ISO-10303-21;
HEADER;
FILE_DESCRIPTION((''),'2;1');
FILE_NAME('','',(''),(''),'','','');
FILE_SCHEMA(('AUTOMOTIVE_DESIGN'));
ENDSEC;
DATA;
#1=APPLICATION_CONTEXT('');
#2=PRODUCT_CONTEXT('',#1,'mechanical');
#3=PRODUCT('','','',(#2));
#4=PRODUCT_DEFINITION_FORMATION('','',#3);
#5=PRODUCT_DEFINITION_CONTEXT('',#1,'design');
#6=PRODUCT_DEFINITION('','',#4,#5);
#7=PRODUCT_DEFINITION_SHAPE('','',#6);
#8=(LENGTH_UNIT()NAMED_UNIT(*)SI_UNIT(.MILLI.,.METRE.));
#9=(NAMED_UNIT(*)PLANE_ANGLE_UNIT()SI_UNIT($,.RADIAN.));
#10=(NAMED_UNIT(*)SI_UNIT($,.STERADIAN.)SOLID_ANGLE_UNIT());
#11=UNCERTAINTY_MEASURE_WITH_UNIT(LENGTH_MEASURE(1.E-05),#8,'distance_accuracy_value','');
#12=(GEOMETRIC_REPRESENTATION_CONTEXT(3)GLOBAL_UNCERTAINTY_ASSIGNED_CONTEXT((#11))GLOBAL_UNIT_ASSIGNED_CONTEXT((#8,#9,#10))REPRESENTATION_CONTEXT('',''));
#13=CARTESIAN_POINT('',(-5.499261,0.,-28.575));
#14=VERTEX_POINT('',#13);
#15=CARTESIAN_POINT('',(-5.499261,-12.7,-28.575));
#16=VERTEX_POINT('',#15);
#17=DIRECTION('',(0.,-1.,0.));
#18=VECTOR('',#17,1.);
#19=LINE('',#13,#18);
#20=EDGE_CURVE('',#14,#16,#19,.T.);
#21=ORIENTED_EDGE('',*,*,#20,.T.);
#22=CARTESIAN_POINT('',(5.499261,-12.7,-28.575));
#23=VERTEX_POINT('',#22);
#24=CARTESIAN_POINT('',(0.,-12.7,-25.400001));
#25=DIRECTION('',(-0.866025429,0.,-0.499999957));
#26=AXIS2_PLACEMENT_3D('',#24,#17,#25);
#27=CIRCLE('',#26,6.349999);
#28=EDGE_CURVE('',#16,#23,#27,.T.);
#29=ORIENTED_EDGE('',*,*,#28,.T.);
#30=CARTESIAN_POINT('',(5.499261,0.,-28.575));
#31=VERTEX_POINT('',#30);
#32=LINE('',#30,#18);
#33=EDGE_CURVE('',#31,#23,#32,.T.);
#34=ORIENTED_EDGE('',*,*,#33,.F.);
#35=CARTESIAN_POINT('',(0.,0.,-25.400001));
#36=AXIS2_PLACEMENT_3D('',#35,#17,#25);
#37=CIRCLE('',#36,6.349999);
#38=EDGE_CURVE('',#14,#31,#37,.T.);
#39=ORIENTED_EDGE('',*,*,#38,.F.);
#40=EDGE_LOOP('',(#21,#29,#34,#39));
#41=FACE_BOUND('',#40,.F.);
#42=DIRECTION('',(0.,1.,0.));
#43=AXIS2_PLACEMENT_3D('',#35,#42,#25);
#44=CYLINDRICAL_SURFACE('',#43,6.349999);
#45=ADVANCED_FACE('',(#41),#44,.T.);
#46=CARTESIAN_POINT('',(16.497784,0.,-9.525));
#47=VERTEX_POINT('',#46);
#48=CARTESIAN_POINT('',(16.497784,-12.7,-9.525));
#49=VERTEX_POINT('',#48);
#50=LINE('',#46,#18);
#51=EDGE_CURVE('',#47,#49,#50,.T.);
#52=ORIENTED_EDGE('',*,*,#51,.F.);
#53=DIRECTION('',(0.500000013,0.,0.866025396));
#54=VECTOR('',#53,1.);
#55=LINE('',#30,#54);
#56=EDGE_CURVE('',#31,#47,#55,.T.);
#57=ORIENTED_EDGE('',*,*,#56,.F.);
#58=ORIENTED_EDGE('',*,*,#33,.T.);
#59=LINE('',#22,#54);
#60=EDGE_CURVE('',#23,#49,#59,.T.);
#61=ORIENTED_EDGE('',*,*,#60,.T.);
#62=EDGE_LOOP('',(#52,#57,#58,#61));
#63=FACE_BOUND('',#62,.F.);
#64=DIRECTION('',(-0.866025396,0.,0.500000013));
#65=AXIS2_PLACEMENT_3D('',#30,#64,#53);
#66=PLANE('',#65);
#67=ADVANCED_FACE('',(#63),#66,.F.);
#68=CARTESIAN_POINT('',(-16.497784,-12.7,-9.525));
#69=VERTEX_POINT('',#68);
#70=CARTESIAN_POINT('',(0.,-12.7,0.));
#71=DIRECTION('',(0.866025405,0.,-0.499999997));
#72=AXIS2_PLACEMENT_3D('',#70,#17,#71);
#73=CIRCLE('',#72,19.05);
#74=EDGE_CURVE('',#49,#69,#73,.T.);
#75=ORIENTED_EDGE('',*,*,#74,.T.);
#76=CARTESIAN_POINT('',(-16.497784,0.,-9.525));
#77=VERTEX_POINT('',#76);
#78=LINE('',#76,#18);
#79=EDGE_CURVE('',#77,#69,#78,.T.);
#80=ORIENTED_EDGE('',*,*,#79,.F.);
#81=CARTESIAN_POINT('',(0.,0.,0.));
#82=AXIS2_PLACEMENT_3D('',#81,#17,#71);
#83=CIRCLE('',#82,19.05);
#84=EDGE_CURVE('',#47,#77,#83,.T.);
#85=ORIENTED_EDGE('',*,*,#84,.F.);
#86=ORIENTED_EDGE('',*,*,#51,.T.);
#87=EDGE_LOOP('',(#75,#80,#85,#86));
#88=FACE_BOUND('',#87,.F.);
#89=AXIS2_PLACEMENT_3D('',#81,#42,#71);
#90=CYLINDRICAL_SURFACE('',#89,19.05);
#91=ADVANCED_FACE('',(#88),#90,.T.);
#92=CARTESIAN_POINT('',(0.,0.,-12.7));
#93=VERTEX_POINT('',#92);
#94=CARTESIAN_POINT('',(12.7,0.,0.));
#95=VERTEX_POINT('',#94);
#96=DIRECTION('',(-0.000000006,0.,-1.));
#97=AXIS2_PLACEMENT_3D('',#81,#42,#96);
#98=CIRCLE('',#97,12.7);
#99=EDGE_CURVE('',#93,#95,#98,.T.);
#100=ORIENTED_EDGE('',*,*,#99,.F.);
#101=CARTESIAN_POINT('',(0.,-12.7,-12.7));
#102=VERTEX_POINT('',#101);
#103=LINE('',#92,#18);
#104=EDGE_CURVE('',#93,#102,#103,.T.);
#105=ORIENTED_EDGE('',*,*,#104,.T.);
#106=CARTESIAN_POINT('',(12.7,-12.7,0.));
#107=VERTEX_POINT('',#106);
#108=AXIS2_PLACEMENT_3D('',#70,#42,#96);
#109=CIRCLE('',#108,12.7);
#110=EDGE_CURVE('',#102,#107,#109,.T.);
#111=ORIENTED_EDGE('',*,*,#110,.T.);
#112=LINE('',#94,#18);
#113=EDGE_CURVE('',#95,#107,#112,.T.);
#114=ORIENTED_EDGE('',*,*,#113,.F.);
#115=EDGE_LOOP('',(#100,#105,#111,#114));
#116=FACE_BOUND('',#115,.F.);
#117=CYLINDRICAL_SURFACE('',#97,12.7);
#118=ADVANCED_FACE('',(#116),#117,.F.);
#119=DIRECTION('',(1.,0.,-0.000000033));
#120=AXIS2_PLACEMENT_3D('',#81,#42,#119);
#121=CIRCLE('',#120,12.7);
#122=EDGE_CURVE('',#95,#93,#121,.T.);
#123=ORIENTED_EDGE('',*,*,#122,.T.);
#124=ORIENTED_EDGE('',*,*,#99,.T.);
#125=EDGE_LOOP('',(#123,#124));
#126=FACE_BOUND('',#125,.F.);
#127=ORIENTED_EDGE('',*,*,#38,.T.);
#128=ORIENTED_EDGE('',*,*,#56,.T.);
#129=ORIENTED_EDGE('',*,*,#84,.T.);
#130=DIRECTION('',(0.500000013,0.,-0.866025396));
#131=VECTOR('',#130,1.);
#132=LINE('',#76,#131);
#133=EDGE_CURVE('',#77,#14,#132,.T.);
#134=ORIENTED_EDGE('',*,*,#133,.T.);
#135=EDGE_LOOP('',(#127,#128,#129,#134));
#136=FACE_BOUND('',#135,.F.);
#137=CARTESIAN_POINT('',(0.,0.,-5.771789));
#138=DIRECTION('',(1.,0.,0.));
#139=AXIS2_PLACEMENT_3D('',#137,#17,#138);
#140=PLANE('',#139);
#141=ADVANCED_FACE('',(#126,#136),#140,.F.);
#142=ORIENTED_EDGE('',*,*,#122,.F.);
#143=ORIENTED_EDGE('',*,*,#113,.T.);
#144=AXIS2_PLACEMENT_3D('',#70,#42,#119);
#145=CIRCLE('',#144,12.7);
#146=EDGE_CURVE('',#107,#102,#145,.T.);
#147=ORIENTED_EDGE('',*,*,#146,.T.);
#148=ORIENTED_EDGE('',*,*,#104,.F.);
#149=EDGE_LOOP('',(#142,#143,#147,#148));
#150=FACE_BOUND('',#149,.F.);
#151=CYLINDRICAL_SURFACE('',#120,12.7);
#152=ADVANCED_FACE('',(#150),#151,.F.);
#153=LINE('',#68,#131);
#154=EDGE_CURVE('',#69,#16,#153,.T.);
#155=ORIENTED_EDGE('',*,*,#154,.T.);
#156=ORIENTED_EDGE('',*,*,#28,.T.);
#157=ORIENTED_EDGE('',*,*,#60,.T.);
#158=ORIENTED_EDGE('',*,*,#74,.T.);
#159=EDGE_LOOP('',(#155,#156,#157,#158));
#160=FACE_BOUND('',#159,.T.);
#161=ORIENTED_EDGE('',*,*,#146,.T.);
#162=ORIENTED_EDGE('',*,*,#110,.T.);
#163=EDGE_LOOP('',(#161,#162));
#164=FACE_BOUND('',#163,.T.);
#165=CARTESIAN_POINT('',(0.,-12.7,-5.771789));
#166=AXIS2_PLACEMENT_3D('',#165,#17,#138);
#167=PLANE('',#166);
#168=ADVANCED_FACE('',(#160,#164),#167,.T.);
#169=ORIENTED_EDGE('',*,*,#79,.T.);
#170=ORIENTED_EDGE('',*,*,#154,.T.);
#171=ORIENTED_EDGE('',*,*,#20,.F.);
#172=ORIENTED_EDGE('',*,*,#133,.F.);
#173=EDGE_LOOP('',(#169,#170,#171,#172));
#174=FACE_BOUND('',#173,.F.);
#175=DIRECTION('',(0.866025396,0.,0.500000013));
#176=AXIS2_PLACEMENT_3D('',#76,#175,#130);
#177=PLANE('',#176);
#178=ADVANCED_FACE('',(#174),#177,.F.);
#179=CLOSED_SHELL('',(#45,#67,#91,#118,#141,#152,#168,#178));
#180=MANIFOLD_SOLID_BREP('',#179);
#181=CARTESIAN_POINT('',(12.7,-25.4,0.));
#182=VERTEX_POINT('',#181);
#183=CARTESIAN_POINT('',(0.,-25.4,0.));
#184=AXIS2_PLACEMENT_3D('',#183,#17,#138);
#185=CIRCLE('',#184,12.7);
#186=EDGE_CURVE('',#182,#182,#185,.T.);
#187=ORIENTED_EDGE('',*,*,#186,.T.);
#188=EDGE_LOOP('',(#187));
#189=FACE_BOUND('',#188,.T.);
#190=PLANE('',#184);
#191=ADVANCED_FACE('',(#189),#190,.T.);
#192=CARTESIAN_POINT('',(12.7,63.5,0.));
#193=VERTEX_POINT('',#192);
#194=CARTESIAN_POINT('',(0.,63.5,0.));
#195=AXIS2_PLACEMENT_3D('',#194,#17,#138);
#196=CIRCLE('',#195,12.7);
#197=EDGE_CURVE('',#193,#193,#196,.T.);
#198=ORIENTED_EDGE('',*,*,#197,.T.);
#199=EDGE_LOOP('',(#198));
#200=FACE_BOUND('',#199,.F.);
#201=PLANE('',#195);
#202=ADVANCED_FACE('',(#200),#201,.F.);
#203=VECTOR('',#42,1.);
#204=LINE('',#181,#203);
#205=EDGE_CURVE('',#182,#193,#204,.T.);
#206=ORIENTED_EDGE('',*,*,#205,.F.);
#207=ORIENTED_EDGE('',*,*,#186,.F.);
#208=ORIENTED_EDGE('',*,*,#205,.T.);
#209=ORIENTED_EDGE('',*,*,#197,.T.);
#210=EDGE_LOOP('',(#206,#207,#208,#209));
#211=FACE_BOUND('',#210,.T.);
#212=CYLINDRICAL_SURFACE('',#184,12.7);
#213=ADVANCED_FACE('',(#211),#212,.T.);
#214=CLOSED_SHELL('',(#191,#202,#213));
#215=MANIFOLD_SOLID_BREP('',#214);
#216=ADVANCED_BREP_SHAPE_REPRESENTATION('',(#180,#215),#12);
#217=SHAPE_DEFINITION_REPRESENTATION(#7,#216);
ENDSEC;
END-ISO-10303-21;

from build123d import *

# Parameters (mm, degrees)
F1_DEPTH = 12.7
F3_R     = 12.7
F4_DEPTH = 88.9


with BuildPart() as f1:
    # F0 (on Front) → F1 (new body)
    with BuildSketch(Plane.XZ):
        with BuildLine():
            Line((5.499261, -28.575), (16.497784, -9.525))
            ThreePointArc((16.497784, -9.525), (0, 19.05), (-16.497784, -9.525))
            Line((-16.497784, -9.525), (-5.499261, -28.575))
            ThreePointArc((-5.499261, -28.575), (0, -31.75), (5.499261, -28.575))
        make_face()
        with BuildLine():
            ThreePointArc((0, -12.7), (-8.980256, 8.980256), (12.7, 0))
            ThreePointArc((12.7, 0), (8.980256, -8.980256), (0, -12.7))
        make_face(mode=Mode.SUBTRACT)
    extrude(amount=F1_DEPTH)


with BuildPart() as f4:
    # F3 (on offset) → F4 (new body)
    with BuildSketch(Plane.XZ.offset(25.4)):
        Circle(F3_R)
    extrude(amount=-F4_DEPTH)


solid = Compound([f1.part, f4.part])
